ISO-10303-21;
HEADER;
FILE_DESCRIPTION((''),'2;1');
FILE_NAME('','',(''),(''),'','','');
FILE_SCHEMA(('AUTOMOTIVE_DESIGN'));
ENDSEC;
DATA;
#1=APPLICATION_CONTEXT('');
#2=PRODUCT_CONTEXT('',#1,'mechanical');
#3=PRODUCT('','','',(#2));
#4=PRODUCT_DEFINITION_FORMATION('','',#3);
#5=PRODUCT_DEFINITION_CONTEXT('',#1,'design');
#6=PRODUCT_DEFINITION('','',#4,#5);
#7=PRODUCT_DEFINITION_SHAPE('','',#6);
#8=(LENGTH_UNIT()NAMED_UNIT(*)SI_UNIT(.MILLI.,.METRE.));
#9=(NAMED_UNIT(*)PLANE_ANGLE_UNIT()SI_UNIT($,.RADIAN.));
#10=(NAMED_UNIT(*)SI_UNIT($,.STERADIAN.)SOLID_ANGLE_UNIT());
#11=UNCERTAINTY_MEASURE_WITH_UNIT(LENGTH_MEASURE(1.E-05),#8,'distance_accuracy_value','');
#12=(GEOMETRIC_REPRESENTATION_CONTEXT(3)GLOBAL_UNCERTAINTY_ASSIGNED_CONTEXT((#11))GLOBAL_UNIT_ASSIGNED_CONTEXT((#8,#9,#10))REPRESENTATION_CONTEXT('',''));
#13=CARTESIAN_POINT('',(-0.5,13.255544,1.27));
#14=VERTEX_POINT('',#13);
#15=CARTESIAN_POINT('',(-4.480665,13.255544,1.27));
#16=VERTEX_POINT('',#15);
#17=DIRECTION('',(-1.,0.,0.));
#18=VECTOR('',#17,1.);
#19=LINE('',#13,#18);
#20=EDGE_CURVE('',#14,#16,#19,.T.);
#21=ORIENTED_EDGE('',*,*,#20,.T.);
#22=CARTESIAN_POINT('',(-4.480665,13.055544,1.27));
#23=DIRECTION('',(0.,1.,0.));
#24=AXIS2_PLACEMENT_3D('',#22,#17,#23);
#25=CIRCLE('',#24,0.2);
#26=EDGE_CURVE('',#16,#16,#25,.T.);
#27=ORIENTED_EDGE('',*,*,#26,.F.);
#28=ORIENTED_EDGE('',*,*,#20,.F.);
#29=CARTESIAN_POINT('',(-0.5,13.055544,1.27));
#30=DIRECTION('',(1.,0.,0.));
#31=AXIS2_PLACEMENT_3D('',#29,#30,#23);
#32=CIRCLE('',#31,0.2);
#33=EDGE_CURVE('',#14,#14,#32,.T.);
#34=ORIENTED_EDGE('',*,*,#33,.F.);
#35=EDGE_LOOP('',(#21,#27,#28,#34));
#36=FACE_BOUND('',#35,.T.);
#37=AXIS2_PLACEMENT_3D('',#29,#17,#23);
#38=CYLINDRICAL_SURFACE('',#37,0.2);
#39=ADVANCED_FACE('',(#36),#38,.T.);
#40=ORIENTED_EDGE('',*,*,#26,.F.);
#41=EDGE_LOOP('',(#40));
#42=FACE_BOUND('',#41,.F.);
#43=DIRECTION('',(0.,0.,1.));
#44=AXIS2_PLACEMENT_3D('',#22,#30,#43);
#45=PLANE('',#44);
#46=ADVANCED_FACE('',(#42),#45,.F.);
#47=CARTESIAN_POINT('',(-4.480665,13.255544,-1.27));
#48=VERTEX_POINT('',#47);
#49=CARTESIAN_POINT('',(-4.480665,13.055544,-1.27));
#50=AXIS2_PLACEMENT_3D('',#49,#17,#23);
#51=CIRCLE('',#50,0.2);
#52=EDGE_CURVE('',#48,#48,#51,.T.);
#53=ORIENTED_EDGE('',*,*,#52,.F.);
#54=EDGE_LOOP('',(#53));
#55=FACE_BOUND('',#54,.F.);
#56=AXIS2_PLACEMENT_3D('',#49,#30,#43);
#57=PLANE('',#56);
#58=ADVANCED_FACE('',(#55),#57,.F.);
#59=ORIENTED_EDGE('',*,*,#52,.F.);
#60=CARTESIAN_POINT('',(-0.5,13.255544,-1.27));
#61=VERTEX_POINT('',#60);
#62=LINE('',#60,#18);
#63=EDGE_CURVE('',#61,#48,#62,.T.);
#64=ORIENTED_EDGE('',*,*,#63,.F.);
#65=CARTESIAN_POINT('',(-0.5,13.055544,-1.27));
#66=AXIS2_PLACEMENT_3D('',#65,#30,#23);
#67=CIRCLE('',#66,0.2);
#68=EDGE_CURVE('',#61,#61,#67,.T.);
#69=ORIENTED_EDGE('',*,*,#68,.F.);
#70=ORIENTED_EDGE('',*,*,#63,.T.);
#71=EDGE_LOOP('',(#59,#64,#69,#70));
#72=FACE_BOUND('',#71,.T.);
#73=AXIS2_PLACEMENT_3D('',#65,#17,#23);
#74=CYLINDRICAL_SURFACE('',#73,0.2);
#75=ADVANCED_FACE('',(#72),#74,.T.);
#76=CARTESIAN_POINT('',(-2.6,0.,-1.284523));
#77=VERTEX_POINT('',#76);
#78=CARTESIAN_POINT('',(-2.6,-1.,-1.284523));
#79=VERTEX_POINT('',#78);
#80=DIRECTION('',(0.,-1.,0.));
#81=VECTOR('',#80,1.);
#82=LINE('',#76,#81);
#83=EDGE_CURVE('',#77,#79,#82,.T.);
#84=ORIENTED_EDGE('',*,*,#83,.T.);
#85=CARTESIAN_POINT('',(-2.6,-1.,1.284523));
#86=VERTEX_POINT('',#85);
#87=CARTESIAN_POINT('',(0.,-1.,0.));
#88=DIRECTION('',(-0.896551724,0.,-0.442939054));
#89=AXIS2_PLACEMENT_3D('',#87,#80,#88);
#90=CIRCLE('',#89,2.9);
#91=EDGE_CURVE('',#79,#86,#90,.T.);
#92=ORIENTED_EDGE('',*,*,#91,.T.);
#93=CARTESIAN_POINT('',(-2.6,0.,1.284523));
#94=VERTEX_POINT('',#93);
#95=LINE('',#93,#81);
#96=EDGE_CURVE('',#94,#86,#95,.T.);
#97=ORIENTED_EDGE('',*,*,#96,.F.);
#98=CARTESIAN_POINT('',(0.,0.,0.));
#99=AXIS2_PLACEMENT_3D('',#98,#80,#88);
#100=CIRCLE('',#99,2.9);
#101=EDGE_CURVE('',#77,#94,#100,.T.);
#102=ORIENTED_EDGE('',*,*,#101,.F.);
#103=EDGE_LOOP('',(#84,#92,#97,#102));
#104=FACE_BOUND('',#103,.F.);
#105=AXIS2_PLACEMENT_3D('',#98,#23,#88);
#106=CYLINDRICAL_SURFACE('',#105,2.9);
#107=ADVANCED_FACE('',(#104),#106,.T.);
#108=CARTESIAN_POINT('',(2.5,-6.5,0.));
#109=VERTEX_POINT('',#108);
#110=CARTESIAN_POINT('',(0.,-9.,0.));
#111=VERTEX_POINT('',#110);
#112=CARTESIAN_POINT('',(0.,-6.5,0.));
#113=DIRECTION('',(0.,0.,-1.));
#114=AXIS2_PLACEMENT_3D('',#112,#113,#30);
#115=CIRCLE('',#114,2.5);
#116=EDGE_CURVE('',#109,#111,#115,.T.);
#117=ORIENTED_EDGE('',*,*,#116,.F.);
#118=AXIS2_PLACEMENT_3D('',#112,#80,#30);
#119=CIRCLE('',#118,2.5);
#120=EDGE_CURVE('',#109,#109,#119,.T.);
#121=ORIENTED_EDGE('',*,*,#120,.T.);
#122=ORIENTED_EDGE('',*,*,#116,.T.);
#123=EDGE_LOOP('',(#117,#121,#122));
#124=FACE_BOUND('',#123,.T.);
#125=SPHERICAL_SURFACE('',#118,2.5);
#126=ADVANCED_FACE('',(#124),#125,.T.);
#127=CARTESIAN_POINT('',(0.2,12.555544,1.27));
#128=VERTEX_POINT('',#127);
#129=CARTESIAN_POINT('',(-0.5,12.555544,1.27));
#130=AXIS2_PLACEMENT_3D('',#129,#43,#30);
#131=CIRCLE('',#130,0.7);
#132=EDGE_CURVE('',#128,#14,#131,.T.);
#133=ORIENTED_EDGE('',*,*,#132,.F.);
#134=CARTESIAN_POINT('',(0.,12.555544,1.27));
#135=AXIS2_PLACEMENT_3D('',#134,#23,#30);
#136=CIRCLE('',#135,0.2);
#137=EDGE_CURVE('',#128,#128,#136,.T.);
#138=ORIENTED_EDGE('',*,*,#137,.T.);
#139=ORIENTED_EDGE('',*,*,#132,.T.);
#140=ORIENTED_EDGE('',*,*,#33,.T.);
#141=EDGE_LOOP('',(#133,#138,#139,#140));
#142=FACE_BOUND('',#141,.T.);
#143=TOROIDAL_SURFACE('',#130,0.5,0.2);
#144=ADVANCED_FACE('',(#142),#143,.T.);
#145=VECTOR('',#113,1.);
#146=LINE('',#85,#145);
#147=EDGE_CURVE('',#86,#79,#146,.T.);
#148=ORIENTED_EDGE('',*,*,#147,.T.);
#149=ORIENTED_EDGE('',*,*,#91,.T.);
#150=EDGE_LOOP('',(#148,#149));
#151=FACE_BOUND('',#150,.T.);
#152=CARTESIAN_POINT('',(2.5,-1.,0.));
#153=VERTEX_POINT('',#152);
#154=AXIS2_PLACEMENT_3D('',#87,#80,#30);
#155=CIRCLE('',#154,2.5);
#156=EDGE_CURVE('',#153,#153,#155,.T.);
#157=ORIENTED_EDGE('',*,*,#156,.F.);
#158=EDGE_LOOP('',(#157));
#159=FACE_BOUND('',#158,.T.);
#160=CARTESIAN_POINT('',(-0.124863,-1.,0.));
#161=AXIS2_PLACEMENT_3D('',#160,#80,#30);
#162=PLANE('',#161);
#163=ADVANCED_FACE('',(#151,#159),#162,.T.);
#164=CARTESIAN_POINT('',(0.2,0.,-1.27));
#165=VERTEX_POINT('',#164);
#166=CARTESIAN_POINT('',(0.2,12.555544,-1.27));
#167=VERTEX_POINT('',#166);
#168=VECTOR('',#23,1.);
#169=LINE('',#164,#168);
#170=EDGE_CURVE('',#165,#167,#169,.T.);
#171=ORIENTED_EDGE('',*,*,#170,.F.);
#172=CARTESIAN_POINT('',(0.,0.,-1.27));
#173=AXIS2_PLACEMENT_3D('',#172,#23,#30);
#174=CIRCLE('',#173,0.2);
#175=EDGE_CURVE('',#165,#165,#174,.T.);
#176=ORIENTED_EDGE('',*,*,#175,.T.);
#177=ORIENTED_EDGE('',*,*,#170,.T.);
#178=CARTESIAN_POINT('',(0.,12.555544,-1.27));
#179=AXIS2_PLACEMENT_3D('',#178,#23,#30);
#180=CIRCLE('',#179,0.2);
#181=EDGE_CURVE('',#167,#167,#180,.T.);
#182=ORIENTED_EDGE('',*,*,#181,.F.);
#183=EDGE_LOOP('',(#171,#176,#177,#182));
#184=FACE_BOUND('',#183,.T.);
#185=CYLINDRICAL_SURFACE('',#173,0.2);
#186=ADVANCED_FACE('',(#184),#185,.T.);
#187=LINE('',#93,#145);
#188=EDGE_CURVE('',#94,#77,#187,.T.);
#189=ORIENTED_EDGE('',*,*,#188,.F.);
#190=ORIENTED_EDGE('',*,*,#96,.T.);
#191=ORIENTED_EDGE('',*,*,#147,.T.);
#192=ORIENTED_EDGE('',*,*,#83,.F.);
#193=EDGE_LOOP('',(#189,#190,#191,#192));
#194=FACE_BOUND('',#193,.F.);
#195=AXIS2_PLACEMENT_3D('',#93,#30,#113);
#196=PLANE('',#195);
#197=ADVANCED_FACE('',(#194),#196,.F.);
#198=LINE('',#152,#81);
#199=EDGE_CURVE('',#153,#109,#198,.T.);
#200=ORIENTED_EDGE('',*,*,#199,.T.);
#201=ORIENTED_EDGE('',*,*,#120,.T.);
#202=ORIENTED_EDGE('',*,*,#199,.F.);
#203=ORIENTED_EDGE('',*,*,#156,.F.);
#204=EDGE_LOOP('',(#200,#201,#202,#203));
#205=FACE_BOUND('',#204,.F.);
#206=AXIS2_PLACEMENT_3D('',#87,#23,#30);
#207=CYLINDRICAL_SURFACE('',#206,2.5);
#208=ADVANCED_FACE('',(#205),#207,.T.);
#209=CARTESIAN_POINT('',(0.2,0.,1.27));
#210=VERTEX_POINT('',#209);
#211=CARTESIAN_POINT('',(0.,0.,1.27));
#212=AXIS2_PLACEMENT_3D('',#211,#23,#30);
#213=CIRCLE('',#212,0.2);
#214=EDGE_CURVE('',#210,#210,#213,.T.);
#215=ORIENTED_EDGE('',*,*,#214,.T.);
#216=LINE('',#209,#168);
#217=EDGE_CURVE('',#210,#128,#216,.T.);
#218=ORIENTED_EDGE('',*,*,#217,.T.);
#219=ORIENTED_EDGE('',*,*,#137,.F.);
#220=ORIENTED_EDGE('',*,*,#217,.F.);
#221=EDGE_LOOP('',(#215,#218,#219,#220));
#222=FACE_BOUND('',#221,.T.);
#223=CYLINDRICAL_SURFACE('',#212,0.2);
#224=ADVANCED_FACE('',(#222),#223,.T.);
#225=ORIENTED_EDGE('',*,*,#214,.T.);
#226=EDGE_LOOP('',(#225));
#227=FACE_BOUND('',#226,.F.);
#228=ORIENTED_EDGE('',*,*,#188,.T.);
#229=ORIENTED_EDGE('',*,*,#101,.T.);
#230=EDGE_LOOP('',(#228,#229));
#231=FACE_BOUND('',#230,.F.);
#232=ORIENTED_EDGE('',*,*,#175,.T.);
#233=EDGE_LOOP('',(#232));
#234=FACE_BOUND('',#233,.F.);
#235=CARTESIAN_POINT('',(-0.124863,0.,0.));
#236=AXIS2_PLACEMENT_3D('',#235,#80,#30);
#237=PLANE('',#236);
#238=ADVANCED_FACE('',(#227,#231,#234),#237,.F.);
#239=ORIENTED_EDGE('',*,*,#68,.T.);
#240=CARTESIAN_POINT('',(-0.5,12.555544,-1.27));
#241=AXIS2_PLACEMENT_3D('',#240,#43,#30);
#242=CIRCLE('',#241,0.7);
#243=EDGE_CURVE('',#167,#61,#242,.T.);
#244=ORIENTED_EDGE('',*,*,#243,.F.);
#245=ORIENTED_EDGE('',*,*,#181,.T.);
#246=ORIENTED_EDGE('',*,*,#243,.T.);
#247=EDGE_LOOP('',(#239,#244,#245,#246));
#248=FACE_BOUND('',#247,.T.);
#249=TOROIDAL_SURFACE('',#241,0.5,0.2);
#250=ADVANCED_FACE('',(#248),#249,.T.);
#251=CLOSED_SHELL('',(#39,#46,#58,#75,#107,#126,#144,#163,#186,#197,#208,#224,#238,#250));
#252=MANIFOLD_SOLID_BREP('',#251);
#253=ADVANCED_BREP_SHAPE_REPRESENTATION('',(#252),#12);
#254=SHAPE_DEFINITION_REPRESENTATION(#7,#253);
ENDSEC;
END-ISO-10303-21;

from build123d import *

# Parameters (mm, degrees)
F1_DEPTH = 1
F3_R     = 0.2
F5_R     = 2.5
F6_DEPTH = 8
F7_R     = 2.5


with BuildPart() as f1:
    # F0 (on Front) → F1 (new body)
    with BuildSketch(Plane.XZ):
        with BuildLine():
            ThreePointArc((-2.6, -1.2845232579), (2.9, 0), (-2.6, 1.2845232579))
            Line((-2.6, 1.2845232579), (-2.6, -1.2845232579))
        make_face()
    extrude(amount=F1_DEPTH)

    # F4: sweep along a path in F2
    with BuildLine(Plane.XY) as f4_path:
        Line((0, 0), (0, 12.5555443466))
        ThreePointArc((0, 12.5555443466), (-0.1464466094, 12.9090977372), (-0.5, 13.0555443466))
        Line((-0.5, 13.0555443466), (-4.480665084, 13.0555443466))
    # F3 (on Front) → F4 (sweep)
    with BuildSketch(Plane.XZ):
        with Locations((0, 1.27)):
            Circle(F3_R)
        with Locations((0, -1.27)):
            Circle(F3_R)
    sweep(path=f4_path.line)

    # F5 (on face) → F6 (join)
    with BuildSketch(Plane.XZ.offset(1)):
        Circle(F5_R)
    extrude(amount=F6_DEPTH)

    # F7
    f7_edges = [f1.edges().sort_by_distance(p)[0] for p in [
        (-2.5, -9, 0),
    ]]
    fillet(f7_edges, radius=F7_R)


solid = f1.part
